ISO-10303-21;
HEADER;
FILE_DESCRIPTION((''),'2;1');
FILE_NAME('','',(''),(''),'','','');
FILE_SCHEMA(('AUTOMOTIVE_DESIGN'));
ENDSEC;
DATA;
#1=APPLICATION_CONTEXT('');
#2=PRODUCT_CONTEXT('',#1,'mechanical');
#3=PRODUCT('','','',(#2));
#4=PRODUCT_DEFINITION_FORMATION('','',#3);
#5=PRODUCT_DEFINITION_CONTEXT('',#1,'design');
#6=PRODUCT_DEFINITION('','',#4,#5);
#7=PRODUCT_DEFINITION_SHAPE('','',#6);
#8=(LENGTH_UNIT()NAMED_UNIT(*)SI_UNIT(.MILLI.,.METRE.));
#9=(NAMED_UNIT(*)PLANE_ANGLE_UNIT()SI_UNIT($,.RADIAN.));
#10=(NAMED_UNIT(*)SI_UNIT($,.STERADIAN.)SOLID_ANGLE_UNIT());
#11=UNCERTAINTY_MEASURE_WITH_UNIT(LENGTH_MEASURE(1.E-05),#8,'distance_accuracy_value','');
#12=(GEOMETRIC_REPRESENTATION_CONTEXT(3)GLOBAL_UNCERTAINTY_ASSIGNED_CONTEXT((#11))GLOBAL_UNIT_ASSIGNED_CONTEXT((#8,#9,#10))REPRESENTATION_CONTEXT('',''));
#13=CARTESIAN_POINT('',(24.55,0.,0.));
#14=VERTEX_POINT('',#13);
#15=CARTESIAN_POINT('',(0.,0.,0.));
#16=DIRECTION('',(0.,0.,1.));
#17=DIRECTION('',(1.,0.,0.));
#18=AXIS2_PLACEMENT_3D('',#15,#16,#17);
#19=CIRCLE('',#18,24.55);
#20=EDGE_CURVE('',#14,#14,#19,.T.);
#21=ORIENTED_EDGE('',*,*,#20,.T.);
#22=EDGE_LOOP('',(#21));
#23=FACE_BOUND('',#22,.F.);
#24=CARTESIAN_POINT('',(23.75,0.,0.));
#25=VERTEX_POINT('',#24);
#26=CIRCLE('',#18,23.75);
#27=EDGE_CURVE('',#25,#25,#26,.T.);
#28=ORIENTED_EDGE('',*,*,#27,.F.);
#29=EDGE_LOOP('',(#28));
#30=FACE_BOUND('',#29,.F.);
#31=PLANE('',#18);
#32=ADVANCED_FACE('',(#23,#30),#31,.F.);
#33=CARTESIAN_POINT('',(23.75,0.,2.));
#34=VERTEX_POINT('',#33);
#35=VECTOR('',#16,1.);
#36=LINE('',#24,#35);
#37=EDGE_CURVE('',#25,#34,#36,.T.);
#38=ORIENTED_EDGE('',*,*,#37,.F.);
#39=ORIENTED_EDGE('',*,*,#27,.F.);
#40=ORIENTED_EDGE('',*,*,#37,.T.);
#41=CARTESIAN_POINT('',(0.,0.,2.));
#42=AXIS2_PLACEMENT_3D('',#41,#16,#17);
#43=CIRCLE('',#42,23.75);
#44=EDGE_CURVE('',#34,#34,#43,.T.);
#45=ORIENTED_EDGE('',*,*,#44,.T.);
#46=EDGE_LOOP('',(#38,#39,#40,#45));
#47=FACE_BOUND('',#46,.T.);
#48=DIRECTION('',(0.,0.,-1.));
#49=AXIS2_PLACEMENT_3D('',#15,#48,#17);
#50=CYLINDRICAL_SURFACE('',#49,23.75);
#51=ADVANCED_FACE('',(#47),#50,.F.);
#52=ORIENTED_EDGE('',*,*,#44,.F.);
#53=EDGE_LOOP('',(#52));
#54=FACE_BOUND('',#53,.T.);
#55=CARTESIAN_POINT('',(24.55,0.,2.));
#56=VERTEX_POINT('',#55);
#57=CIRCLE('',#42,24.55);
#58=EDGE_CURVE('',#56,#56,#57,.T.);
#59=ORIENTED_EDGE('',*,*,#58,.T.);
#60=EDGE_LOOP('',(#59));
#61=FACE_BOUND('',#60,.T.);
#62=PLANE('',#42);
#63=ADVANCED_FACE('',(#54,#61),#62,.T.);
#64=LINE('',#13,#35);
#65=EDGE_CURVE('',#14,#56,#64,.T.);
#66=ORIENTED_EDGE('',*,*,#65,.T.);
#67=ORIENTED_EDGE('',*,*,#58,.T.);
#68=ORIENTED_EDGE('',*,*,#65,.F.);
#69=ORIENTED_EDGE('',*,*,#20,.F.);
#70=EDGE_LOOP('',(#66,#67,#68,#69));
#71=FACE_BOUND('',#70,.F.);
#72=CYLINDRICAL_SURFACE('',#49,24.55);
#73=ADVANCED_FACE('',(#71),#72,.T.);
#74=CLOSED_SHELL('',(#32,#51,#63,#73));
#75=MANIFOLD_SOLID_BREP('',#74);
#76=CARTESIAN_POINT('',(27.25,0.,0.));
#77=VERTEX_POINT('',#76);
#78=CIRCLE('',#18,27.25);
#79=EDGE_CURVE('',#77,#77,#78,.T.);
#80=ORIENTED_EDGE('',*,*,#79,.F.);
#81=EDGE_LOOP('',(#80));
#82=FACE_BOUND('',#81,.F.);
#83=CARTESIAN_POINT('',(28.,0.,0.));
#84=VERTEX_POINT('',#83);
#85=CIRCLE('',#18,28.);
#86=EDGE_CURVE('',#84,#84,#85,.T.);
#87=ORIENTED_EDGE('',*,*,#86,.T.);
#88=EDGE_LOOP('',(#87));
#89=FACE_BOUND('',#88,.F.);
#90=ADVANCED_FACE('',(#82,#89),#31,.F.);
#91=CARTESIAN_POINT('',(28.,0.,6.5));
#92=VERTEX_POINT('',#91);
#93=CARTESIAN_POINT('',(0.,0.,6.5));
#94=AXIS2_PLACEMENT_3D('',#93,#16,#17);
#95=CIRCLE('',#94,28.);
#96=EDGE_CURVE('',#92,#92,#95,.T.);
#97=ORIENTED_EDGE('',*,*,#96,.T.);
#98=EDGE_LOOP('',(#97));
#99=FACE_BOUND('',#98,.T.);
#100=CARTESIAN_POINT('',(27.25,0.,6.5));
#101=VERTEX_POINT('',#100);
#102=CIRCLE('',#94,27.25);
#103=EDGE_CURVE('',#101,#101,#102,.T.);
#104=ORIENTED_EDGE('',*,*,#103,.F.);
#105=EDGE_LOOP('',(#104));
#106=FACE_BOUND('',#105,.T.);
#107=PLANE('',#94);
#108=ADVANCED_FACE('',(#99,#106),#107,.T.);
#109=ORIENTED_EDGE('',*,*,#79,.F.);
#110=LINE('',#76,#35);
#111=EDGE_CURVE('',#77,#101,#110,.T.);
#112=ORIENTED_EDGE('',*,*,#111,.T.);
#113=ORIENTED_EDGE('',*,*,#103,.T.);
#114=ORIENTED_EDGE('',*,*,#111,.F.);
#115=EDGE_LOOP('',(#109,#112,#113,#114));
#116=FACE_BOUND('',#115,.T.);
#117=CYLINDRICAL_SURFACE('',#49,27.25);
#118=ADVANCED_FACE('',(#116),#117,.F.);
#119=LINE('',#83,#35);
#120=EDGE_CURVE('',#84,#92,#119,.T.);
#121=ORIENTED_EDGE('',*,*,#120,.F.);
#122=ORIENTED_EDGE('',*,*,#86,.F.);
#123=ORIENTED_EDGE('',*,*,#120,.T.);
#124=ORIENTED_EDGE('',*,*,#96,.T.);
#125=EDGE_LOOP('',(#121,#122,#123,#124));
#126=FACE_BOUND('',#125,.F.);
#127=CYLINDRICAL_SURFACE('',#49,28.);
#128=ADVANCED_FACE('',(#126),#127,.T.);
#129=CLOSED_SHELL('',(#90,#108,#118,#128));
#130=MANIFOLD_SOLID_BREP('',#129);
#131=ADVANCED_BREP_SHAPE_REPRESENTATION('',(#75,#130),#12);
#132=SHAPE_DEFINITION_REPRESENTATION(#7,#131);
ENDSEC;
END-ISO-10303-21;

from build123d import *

# Parameters (mm, degrees)
F0_R     = 28
F0_R_2   = 27.25
F1_DEPTH = 6.5
F0_R_3   = 24.55
F0_R_4   = 23.75
F2_DEPTH = 2


with BuildPart() as f1:
    # F0 (on Top) → F1 (new body)
    with BuildSketch(Plane.XY):
        Circle(F0_R)
        Circle(F0_R_2, mode=Mode.SUBTRACT)
    extrude(amount=F1_DEPTH)


with BuildPart() as f2:
    # F0 (on Top) → F2 (new body)
    with BuildSketch(Plane.XY):
        Circle(F0_R_3)
        Circle(F0_R_4, mode=Mode.SUBTRACT)
    extrude(amount=F2_DEPTH)


solid = Compound([f1.part, f2.part])
